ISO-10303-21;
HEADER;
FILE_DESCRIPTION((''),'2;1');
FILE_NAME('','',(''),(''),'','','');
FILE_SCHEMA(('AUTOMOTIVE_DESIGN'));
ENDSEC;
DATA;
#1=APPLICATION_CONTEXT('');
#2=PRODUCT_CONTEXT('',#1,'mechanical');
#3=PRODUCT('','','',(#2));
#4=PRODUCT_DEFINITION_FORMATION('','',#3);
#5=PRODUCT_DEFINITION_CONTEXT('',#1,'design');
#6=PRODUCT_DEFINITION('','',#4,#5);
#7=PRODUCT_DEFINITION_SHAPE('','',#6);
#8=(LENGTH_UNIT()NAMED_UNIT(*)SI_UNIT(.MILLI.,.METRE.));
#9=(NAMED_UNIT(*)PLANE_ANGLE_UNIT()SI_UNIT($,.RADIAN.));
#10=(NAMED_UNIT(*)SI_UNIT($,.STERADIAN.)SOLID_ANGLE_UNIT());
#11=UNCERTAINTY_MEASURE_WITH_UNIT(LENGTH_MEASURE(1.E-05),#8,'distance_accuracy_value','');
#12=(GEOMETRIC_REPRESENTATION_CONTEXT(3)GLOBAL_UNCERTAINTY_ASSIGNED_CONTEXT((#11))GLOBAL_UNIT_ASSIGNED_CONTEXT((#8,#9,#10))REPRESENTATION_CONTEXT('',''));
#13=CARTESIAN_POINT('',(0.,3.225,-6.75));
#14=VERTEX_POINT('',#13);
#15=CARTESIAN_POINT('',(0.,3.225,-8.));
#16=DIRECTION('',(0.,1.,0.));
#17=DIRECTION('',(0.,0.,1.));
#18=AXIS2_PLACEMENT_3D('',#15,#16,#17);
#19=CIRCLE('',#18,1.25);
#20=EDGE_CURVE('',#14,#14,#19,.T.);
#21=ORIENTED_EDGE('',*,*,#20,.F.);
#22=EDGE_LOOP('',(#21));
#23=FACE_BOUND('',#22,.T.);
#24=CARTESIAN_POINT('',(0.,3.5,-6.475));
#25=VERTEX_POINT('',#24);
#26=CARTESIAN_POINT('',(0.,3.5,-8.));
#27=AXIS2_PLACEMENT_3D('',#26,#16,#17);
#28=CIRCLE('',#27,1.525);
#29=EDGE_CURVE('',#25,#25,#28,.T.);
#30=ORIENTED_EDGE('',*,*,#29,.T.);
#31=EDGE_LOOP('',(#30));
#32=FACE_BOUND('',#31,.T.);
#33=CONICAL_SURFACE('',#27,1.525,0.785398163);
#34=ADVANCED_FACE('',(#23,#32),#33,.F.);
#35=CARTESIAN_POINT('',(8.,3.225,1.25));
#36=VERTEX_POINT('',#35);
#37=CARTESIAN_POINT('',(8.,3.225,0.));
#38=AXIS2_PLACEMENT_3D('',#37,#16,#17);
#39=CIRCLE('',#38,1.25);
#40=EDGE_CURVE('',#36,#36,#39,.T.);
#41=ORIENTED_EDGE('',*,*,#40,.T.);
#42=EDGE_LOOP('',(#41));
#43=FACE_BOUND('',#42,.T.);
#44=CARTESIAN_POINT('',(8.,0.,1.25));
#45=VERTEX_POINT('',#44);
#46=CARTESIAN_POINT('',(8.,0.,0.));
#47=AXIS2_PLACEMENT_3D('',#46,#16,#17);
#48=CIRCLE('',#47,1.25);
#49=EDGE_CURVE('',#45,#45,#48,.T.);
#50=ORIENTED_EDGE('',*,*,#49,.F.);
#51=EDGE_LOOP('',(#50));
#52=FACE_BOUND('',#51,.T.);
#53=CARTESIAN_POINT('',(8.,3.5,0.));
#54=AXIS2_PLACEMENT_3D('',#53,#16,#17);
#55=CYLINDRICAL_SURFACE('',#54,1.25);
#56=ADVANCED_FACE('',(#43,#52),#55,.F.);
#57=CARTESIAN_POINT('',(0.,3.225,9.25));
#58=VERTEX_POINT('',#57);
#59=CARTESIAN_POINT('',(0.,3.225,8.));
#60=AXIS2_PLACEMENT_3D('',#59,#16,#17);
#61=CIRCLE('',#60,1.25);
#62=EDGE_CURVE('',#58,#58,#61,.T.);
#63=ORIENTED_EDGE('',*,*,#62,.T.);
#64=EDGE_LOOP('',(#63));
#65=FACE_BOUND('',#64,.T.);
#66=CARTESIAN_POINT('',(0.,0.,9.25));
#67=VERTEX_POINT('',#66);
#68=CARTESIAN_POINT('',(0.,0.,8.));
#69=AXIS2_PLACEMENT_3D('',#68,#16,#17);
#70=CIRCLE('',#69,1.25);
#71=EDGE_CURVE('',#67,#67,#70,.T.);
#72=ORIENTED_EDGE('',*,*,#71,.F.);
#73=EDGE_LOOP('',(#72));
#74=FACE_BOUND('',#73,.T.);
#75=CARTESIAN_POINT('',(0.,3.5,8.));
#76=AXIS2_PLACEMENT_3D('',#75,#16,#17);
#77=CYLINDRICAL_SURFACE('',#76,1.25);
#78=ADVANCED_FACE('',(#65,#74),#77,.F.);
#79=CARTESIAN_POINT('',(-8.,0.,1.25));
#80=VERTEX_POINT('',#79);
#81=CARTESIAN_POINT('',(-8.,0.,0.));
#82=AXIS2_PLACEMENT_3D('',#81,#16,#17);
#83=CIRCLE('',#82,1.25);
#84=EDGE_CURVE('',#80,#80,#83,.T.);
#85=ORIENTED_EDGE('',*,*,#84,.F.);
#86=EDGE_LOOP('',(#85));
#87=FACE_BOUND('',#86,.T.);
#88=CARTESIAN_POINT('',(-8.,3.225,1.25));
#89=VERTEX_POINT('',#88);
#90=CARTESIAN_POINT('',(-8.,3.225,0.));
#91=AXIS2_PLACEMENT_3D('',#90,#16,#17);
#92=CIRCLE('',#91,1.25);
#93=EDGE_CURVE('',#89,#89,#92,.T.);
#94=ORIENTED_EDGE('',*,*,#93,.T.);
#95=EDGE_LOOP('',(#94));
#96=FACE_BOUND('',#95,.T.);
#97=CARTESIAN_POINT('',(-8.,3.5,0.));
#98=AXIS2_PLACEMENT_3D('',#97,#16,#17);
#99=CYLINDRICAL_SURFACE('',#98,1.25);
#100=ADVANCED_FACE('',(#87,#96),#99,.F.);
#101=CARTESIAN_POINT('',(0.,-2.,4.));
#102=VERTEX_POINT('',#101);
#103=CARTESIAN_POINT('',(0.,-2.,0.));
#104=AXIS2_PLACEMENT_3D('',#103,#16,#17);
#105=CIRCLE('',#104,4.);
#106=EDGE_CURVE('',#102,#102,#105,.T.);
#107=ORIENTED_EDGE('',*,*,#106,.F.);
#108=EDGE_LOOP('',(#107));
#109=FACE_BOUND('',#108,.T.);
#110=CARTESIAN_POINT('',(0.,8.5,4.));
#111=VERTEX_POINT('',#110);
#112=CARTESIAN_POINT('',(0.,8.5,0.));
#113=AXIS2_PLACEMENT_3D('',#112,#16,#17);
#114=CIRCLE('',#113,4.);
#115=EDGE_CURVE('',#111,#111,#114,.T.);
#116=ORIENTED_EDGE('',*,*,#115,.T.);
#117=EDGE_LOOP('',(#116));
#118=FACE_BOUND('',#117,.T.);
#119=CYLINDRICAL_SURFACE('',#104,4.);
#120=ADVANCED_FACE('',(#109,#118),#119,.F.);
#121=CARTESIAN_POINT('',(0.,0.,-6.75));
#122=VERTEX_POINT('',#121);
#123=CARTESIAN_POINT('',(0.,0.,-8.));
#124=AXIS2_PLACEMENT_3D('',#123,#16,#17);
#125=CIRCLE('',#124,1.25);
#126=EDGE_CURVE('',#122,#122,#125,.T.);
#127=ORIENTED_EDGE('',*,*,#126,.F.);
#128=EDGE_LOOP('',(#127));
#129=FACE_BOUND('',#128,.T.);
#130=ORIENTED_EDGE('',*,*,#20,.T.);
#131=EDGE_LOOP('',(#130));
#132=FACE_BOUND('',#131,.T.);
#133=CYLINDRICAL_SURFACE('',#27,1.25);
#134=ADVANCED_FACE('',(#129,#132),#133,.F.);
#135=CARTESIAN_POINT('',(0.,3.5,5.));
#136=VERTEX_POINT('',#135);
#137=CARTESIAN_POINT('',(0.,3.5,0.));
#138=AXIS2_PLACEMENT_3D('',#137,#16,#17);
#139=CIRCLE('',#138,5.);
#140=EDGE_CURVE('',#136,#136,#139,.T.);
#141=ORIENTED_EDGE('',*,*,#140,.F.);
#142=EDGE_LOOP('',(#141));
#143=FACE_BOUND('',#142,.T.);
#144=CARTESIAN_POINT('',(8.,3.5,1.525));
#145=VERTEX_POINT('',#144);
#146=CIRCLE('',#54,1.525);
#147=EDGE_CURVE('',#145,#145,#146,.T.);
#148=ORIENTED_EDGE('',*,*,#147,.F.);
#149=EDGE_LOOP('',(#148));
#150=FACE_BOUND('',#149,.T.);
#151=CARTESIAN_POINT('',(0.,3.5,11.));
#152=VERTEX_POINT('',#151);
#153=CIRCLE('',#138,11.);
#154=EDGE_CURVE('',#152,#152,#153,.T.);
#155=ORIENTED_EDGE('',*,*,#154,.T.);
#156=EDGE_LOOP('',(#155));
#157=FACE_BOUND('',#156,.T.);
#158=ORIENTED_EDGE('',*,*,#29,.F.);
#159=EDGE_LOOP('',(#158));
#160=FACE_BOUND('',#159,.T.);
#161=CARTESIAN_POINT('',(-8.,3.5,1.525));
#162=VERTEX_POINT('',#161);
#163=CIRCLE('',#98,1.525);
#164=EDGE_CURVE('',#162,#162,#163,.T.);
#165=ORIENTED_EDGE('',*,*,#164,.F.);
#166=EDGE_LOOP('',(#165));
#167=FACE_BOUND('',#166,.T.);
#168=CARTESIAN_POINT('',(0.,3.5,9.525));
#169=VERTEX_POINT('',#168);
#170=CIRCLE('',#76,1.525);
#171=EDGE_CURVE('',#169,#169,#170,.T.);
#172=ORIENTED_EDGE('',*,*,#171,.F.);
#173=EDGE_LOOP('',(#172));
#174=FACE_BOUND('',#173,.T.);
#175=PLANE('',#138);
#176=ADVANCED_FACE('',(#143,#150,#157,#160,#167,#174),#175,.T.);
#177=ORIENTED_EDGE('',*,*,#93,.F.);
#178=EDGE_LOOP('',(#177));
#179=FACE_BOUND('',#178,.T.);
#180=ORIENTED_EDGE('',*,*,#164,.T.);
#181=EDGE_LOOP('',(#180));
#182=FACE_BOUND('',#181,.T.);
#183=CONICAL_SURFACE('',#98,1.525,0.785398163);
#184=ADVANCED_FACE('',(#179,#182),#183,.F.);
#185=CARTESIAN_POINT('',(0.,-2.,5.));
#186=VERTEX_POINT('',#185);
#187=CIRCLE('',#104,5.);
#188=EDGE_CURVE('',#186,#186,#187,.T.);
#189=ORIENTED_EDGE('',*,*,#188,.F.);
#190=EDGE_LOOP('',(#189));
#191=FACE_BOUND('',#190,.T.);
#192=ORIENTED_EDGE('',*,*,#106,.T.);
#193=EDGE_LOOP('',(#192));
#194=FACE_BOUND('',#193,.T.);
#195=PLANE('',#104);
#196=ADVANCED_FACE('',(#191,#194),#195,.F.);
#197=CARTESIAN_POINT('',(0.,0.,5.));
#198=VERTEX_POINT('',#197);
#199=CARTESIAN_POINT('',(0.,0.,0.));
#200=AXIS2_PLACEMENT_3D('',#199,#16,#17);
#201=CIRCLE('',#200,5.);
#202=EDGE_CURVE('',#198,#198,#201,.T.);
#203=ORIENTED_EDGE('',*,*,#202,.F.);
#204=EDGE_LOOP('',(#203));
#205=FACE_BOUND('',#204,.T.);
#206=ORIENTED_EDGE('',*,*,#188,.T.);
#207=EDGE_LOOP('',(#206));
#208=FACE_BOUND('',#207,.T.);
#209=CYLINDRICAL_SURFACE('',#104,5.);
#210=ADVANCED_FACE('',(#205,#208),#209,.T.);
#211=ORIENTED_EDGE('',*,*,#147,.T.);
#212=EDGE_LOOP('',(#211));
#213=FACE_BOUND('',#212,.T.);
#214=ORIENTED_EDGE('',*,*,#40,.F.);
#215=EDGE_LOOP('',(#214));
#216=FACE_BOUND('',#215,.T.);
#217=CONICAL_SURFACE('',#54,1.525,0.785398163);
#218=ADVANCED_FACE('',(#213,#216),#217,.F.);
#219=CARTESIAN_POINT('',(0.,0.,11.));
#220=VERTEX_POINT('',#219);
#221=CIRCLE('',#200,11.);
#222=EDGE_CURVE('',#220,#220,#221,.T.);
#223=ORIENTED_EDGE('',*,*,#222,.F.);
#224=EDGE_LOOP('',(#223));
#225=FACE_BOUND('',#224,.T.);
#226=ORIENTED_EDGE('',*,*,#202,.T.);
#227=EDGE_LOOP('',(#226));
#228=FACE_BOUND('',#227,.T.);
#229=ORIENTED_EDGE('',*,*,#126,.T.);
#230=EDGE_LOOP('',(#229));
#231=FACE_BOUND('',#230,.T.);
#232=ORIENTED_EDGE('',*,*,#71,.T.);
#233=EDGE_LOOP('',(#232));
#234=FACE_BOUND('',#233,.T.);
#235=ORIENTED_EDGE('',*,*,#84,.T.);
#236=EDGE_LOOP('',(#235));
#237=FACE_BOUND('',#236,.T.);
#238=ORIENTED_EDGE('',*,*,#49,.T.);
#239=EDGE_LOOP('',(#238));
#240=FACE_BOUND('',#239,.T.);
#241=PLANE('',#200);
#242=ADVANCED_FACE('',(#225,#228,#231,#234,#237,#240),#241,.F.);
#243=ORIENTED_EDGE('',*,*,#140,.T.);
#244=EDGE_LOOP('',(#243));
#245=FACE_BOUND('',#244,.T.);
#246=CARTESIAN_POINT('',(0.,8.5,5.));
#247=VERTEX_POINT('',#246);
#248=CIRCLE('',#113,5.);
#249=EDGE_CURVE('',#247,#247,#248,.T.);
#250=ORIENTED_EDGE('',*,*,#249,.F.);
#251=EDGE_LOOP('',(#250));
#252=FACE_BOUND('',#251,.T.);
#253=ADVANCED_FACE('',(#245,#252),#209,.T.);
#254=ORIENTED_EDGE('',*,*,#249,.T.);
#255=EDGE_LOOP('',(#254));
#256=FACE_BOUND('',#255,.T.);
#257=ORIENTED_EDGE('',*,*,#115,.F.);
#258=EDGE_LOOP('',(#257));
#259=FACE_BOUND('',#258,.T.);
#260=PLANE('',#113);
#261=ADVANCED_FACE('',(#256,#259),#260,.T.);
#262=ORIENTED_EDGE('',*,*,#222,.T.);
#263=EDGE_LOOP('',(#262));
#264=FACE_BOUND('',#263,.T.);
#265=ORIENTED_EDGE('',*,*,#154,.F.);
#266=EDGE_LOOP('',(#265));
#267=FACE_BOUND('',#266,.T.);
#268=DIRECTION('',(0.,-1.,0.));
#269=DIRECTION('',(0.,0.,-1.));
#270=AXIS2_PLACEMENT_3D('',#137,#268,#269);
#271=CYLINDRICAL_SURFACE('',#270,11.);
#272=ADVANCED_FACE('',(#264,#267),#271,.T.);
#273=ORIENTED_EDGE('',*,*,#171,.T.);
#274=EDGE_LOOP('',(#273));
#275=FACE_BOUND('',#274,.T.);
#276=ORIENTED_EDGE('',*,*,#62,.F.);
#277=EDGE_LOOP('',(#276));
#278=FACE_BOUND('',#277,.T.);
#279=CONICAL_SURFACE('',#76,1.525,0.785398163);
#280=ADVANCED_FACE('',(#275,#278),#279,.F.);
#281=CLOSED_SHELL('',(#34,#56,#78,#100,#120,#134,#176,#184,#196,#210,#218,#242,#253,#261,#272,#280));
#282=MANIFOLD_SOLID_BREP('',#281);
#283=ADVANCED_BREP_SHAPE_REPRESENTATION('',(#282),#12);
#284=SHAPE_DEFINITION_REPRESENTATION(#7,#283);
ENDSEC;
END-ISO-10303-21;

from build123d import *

# Parameters (mm, degrees)
SKETCH_1_R                   = 11
EXTRUDE_1_DEPTH              = 3.5
SKETCH_2_R                   = 5
EXTRUDE_2_DEPTH              = 5
EXTRUDE_2_DEPTH_BACK         = 5.5
SKETCH_3_R                   = 1.15
CUT_EXTRUDE_1_DEPTH          = 5
SKETCH_4_R                   = 4
CUT_EXTRUDE_2_DEPTH          = 11.5
HOLE_WIZARD_M3_1_D           = 2.5
HOLE_WIZARD_M3_1_DEPTH       = 8.5
HOLE_WIZARD_M3_1_CSINK_D     = 3.05
HOLE_WIZARD_M3_1_CSINK_ANGLE = 90
HOLE_WIZARD_M3_1_TIP         = 0.751075774


with BuildPart() as part:
    # 草图1 → 凸台-拉伸1 (new body)
    with BuildSketch(Plane(origin=(0, 0, 0), x_dir=(1, 0, 0), z_dir=(0, 1, 0))):
        Circle(SKETCH_1_R)
    extrude(amount=EXTRUDE_1_DEPTH)

    # 草图2 → 凸台-拉伸2 (add, two sides)
    with BuildSketch(Plane(origin=(0, 3.5, 0), x_dir=(1, 0, 0), z_dir=(0, 1, 0))) as extrude_2_sk:
        Circle(SKETCH_2_R)
    extrude(amount=EXTRUDE_2_DEPTH)
    extrude(extrude_2_sk.sketch, amount=-EXTRUDE_2_DEPTH_BACK)

    # 草图3 → 切除-拉伸1 (cut)
    with BuildSketch(Plane(origin=(0, 3.5, 0), x_dir=(1, 0, 0), z_dir=(0, 1, 0))):
        with Locations((0, 8)):
            Circle(SKETCH_3_R)
        with Locations((8, 0)):
            Circle(SKETCH_3_R)
        with Locations((0, -8)):
            Circle(SKETCH_3_R)
        with Locations((-8, 0)):
            Circle(SKETCH_3_R)
    extrude(amount=-CUT_EXTRUDE_1_DEPTH, mode=Mode.SUBTRACT)

    # 草图4 → 切除-拉伸2 (cut, through all)
    with BuildSketch(Plane(origin=(0, 8.5, 0), x_dir=(1, 0, 0), z_dir=(0, 1, 0))):
        Circle(SKETCH_4_R)
    extrude(amount=-CUT_EXTRUDE_2_DEPTH, mode=Mode.SUBTRACT)

    # M3 螺纹孔1
    with Locations(Plane(origin=(0, 3.5, 0), x_dir=(1, 0, 0), z_dir=(0, 1, 0))):
        with Locations((0, 8), (8, 0), (0, -8), (-8, 0)):
            CounterSinkHole(HOLE_WIZARD_M3_1_D / 2, HOLE_WIZARD_M3_1_CSINK_D / 2, depth=HOLE_WIZARD_M3_1_DEPTH, counter_sink_angle=HOLE_WIZARD_M3_1_CSINK_ANGLE)
            with Locations((0, 0, -(HOLE_WIZARD_M3_1_DEPTH + HOLE_WIZARD_M3_1_TIP / 2))):  # 118° drill point
                Cone(0, HOLE_WIZARD_M3_1_D / 2, HOLE_WIZARD_M3_1_TIP, mode=Mode.SUBTRACT)


solid = part.part
